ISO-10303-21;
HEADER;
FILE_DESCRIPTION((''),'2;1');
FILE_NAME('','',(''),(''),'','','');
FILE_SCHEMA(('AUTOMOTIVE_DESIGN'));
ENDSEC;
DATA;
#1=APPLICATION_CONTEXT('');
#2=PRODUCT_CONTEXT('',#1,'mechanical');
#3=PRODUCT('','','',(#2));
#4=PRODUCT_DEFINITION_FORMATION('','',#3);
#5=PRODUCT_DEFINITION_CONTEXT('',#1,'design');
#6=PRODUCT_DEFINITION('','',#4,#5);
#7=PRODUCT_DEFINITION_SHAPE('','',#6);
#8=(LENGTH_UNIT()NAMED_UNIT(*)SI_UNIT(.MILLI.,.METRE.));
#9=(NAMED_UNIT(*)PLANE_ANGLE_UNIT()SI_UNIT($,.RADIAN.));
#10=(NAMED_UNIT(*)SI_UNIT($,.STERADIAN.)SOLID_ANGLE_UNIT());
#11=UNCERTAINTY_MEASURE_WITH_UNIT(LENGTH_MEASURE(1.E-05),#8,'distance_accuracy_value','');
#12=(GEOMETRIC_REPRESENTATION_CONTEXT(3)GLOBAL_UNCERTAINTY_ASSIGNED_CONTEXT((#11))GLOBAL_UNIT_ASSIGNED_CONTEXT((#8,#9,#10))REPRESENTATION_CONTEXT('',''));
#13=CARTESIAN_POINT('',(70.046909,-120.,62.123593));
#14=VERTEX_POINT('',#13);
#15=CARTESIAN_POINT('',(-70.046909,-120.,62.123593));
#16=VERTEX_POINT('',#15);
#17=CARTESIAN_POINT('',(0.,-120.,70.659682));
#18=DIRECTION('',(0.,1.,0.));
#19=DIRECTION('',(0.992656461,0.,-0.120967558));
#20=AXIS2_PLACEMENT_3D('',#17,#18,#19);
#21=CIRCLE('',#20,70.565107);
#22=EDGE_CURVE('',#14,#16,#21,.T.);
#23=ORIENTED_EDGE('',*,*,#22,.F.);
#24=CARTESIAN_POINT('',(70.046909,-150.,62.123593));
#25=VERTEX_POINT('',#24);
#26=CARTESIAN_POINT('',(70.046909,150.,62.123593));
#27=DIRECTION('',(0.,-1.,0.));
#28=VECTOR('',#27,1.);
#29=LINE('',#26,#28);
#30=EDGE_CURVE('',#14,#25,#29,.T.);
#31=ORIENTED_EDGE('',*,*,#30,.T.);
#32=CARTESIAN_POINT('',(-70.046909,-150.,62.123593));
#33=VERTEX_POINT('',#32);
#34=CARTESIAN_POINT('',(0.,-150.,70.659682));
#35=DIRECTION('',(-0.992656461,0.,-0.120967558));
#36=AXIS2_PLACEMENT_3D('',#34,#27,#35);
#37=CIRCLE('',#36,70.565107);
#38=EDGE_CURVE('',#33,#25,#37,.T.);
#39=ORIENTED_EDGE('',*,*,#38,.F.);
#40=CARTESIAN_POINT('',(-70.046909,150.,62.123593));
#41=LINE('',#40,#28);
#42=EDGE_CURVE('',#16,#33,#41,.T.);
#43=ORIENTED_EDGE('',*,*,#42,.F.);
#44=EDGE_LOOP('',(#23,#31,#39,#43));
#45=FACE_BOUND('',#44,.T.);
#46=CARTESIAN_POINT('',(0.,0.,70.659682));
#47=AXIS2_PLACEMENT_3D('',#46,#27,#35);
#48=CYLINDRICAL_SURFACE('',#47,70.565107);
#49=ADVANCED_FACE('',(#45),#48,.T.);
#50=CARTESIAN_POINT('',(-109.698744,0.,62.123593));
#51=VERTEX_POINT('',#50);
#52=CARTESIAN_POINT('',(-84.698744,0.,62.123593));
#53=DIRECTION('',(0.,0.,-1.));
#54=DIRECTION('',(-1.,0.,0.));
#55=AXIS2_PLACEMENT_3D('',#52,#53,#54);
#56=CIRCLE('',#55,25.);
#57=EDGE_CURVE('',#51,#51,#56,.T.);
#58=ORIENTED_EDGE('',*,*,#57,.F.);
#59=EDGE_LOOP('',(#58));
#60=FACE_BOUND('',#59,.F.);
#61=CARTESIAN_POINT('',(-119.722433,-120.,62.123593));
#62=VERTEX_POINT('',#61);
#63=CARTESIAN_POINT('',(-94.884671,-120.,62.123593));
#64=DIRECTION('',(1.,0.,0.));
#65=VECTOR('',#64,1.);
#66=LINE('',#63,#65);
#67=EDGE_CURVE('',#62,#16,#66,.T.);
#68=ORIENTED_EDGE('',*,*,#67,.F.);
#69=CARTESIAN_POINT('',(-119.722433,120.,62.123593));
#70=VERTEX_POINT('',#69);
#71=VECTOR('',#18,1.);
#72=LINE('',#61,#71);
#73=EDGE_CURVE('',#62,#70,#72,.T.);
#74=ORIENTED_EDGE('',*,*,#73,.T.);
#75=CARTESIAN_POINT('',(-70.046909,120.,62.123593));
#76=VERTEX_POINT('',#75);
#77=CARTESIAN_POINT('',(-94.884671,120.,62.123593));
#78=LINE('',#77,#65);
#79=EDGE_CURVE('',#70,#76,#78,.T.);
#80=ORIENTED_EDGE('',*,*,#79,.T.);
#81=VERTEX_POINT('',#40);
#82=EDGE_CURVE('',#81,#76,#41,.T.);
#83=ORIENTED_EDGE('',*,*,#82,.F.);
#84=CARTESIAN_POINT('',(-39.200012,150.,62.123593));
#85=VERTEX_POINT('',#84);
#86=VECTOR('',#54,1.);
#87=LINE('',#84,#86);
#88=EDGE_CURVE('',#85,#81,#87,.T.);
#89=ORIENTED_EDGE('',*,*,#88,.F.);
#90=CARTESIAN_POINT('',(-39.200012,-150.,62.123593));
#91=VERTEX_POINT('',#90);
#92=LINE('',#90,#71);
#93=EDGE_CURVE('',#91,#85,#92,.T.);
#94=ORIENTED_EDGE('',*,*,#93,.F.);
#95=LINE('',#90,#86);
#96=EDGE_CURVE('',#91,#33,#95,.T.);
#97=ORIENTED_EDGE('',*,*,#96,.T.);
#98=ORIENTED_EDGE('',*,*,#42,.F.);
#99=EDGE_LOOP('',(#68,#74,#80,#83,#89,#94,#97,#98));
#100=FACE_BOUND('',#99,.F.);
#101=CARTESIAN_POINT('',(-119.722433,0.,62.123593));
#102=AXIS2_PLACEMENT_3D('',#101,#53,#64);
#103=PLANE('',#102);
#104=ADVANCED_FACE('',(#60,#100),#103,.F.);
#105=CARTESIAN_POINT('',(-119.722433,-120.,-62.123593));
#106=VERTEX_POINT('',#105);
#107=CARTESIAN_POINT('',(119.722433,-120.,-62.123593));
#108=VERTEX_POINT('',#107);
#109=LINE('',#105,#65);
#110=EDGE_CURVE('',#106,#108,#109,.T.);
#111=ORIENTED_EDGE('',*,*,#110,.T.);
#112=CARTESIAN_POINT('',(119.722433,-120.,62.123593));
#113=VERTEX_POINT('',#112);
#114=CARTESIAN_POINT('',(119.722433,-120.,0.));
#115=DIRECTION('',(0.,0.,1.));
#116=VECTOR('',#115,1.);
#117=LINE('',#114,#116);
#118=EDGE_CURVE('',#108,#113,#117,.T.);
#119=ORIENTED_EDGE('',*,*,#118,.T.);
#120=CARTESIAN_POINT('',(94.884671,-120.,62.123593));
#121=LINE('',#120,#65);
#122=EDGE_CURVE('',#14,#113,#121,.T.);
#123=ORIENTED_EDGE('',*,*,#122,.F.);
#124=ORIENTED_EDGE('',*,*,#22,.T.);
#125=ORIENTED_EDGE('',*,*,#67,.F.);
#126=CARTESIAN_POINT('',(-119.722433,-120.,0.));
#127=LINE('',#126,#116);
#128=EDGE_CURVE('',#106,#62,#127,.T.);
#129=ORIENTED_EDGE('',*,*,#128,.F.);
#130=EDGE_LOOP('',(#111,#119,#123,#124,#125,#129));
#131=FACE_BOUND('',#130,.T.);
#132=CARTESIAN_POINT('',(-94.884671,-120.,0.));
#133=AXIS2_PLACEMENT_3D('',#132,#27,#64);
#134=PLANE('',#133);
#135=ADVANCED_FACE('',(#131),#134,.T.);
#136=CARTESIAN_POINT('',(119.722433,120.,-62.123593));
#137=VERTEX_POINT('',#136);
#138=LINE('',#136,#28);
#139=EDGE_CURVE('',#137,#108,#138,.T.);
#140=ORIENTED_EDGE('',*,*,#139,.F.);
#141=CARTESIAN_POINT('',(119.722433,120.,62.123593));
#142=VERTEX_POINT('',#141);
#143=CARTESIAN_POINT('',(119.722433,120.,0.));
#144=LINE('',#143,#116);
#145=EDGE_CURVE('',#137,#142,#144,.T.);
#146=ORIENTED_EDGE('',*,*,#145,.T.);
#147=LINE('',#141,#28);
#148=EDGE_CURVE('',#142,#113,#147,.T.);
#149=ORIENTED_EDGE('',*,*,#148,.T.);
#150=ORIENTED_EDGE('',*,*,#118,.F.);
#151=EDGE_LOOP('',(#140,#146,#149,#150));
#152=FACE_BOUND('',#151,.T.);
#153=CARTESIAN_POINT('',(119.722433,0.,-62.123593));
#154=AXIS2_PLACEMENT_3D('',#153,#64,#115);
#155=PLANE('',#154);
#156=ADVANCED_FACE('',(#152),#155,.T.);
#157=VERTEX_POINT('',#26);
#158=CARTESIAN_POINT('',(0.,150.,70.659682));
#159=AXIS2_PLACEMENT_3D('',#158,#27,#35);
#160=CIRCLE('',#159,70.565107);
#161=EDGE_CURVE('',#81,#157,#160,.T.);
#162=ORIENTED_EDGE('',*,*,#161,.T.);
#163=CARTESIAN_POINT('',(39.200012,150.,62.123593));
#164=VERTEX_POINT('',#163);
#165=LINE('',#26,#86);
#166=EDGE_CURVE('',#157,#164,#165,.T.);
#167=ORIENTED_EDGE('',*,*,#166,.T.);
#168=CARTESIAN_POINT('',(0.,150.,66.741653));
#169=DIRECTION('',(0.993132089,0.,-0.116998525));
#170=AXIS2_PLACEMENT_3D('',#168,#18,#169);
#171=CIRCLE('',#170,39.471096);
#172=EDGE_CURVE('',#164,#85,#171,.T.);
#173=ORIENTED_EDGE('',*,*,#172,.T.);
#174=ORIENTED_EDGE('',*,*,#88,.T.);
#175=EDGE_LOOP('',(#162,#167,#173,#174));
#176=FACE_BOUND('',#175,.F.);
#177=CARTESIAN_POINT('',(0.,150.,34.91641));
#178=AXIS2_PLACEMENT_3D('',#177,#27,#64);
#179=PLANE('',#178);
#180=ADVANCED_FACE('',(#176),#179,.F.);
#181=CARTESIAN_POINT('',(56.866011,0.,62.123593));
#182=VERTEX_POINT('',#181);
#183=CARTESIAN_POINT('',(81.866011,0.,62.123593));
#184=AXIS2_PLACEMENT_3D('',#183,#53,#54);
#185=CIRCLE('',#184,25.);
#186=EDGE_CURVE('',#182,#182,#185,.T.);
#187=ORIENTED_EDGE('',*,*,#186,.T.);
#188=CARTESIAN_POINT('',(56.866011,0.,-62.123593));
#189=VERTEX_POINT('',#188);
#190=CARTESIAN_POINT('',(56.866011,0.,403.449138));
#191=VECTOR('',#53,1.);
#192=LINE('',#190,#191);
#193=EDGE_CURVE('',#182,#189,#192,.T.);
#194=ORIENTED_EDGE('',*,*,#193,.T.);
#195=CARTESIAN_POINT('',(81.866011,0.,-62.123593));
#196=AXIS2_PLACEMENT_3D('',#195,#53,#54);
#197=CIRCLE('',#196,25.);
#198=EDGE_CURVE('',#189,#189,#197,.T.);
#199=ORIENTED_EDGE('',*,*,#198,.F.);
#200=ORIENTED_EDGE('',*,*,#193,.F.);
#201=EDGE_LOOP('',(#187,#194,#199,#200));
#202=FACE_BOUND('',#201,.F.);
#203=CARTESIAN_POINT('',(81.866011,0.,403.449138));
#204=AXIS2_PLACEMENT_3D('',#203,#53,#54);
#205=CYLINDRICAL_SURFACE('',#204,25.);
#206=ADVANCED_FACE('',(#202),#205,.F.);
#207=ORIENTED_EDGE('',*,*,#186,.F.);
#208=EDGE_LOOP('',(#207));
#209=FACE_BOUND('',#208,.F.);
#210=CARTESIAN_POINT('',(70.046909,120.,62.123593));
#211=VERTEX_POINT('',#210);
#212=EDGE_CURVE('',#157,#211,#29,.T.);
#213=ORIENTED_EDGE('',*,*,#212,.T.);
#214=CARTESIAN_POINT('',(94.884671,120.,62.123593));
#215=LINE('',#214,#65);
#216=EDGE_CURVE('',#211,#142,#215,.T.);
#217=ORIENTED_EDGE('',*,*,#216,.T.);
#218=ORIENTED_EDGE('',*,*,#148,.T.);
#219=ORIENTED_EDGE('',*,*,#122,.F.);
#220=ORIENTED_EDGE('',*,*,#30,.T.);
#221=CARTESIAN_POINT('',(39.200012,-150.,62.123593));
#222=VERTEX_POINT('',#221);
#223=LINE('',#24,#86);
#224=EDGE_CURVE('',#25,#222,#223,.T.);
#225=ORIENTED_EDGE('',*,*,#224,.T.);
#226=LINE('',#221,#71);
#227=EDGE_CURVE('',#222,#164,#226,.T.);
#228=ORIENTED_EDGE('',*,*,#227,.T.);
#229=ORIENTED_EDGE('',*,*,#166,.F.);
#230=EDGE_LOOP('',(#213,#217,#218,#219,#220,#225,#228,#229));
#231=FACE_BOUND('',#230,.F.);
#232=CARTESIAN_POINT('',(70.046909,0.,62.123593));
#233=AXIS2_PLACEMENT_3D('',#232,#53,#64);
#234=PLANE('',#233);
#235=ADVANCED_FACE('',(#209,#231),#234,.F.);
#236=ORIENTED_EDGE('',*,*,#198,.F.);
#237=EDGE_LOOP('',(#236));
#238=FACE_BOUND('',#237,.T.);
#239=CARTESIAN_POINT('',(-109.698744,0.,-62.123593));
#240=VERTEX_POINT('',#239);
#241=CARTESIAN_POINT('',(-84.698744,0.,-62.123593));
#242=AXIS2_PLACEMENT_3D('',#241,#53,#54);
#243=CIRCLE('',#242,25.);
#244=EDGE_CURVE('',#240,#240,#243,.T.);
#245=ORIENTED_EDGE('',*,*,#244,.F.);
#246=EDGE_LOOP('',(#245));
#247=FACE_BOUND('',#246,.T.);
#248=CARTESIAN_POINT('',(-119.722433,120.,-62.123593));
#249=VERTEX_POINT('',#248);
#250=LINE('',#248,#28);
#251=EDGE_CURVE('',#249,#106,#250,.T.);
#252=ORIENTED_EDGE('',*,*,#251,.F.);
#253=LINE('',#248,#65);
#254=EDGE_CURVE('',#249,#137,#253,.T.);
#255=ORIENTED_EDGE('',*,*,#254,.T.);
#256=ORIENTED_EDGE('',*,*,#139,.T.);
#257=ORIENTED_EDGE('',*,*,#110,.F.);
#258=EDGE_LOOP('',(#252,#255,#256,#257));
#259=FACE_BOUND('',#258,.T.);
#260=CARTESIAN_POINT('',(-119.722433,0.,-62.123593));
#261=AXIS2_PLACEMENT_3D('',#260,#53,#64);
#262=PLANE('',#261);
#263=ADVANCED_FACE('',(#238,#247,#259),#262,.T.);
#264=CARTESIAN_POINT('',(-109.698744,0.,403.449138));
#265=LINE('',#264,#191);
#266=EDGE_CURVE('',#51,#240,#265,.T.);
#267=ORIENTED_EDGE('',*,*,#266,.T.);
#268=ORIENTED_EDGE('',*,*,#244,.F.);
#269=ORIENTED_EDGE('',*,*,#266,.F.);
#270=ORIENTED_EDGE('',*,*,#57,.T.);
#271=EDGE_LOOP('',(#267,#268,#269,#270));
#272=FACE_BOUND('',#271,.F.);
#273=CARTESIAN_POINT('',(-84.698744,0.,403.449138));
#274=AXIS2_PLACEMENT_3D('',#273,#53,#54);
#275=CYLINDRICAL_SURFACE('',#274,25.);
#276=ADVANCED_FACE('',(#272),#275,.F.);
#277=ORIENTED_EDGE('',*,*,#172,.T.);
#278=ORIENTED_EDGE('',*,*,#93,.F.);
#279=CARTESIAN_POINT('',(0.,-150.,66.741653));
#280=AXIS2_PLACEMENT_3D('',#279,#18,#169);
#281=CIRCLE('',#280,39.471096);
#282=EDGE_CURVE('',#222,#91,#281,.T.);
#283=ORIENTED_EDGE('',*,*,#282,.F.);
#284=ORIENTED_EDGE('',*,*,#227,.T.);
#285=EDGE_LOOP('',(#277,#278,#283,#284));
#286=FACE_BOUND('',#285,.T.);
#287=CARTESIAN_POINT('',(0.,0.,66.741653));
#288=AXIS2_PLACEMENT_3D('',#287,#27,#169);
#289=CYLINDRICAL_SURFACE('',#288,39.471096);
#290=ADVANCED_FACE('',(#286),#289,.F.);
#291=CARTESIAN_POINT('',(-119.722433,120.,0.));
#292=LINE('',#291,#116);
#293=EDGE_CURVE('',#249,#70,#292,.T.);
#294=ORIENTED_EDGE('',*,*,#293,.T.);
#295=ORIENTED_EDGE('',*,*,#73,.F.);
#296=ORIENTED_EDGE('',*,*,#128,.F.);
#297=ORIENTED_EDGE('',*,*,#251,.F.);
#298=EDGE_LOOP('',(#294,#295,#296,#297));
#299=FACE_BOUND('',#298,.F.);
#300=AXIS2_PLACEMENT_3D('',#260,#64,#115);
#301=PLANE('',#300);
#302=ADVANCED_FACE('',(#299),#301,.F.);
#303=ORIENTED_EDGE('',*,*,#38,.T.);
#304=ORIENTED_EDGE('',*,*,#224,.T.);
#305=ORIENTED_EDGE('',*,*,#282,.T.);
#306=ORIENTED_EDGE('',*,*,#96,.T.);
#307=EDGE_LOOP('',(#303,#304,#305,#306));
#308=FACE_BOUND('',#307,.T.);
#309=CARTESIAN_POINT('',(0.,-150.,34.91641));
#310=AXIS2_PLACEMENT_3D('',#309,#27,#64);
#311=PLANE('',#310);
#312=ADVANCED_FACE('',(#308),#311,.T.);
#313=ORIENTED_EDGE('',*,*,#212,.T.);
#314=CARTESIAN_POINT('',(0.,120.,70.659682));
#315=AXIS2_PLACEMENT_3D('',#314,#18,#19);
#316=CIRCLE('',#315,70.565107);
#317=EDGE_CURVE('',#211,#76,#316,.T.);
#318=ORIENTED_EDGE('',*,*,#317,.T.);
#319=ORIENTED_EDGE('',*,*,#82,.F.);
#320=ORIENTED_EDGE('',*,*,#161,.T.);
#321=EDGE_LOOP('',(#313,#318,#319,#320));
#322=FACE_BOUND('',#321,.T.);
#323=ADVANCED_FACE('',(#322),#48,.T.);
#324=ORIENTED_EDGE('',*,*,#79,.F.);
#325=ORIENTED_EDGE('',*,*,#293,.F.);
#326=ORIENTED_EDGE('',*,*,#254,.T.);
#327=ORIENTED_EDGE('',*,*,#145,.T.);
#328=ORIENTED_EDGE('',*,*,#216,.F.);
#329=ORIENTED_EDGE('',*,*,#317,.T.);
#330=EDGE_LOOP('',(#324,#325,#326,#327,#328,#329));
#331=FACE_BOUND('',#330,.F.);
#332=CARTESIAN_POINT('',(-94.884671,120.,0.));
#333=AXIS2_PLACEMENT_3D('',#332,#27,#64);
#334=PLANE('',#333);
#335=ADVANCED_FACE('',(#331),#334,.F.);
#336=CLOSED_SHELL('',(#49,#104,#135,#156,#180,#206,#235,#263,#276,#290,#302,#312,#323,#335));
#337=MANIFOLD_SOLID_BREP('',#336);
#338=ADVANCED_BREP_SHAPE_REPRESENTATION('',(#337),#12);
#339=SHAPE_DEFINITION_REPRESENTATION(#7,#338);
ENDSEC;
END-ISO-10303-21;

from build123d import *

# Parameters (mm, degrees)
F1_DEPTH      = 150
F1_DEPTH_BACK = 150
F0_W          = 49.675524
F0_H          = 124.247186
F2_DEPTH      = 120
F2_DEPTH_BACK = 120
F4_D          = 50
F5_D          = 50


with BuildPart() as f1:
    # F0 (on Front) → F1 (new body, two sides)
    with BuildSketch(Plane.XZ) as f1_sk:
        with BuildLine():
            Line((-39.200012, 62.123593), (-70.046909, 62.123593))
            ThreePointArc((-70.046909, 62.123593), (0, 0.094575), (70.046909, 62.123593))
            Line((70.046909, 62.123593), (39.200012, 62.123593))
            Line((39.200012, 62.123593), (39.200012, 26.869994))
            Line((39.200012, 26.869994), (-39.200012, 26.869994))
            Line((-39.200012, 26.869994), (-39.200012, 62.123593))
        make_face()
        with BuildLine():
            ThreePointArc((39.200012, 62.123593), (0, 27.270557), (-39.200012, 62.123593))
            Line((-39.200012, 62.123593), (-39.200012, 26.869994))
            Line((-39.200012, 26.869994), (39.200012, 26.869994))
            Line((39.200012, 26.869994), (39.200012, 62.123593))
        make_face()
    extrude(amount=F1_DEPTH)
    extrude(f1_sk.sketch, amount=-F1_DEPTH_BACK)

    # F0 (on Front) → F2 (join, two sides)
    with BuildSketch(Plane.XZ) as f2_sk:
        with Locations((-94.884671, 0)):
            Rectangle(F0_W, F0_H)
        with BuildLine():
            ThreePointArc((70.046909, 62.123593), (0, 0.094575), (-70.046909, 62.123593))
            Line((-70.046909, 62.123593), (-70.046909, -62.123593))
            Line((-70.046909, -62.123593), (70.046909, -62.123593))
            Line((70.046909, -62.123593), (70.046909, 62.123593))
        make_face()
        with Locations((94.884671, 0)):
            Rectangle(F0_W, F0_H)
    extrude(amount=F2_DEPTH)
    extrude(f2_sk.sketch, amount=-F2_DEPTH_BACK)

    # F4 (through all)
    with Locations(Plane.XY):
        with Locations((-84.698744, 0), (81.866011, 0)):
            Hole(F4_D / 2)

    # F5 (through all)
    with Locations(Plane(origin=(0, 0, 0), x_dir=(1, 0, 0), z_dir=(0, 0, -1))):
        with Locations((-84.698744, 0), (81.866011, 0)):
            Hole(F5_D / 2)


solid = f1.part
